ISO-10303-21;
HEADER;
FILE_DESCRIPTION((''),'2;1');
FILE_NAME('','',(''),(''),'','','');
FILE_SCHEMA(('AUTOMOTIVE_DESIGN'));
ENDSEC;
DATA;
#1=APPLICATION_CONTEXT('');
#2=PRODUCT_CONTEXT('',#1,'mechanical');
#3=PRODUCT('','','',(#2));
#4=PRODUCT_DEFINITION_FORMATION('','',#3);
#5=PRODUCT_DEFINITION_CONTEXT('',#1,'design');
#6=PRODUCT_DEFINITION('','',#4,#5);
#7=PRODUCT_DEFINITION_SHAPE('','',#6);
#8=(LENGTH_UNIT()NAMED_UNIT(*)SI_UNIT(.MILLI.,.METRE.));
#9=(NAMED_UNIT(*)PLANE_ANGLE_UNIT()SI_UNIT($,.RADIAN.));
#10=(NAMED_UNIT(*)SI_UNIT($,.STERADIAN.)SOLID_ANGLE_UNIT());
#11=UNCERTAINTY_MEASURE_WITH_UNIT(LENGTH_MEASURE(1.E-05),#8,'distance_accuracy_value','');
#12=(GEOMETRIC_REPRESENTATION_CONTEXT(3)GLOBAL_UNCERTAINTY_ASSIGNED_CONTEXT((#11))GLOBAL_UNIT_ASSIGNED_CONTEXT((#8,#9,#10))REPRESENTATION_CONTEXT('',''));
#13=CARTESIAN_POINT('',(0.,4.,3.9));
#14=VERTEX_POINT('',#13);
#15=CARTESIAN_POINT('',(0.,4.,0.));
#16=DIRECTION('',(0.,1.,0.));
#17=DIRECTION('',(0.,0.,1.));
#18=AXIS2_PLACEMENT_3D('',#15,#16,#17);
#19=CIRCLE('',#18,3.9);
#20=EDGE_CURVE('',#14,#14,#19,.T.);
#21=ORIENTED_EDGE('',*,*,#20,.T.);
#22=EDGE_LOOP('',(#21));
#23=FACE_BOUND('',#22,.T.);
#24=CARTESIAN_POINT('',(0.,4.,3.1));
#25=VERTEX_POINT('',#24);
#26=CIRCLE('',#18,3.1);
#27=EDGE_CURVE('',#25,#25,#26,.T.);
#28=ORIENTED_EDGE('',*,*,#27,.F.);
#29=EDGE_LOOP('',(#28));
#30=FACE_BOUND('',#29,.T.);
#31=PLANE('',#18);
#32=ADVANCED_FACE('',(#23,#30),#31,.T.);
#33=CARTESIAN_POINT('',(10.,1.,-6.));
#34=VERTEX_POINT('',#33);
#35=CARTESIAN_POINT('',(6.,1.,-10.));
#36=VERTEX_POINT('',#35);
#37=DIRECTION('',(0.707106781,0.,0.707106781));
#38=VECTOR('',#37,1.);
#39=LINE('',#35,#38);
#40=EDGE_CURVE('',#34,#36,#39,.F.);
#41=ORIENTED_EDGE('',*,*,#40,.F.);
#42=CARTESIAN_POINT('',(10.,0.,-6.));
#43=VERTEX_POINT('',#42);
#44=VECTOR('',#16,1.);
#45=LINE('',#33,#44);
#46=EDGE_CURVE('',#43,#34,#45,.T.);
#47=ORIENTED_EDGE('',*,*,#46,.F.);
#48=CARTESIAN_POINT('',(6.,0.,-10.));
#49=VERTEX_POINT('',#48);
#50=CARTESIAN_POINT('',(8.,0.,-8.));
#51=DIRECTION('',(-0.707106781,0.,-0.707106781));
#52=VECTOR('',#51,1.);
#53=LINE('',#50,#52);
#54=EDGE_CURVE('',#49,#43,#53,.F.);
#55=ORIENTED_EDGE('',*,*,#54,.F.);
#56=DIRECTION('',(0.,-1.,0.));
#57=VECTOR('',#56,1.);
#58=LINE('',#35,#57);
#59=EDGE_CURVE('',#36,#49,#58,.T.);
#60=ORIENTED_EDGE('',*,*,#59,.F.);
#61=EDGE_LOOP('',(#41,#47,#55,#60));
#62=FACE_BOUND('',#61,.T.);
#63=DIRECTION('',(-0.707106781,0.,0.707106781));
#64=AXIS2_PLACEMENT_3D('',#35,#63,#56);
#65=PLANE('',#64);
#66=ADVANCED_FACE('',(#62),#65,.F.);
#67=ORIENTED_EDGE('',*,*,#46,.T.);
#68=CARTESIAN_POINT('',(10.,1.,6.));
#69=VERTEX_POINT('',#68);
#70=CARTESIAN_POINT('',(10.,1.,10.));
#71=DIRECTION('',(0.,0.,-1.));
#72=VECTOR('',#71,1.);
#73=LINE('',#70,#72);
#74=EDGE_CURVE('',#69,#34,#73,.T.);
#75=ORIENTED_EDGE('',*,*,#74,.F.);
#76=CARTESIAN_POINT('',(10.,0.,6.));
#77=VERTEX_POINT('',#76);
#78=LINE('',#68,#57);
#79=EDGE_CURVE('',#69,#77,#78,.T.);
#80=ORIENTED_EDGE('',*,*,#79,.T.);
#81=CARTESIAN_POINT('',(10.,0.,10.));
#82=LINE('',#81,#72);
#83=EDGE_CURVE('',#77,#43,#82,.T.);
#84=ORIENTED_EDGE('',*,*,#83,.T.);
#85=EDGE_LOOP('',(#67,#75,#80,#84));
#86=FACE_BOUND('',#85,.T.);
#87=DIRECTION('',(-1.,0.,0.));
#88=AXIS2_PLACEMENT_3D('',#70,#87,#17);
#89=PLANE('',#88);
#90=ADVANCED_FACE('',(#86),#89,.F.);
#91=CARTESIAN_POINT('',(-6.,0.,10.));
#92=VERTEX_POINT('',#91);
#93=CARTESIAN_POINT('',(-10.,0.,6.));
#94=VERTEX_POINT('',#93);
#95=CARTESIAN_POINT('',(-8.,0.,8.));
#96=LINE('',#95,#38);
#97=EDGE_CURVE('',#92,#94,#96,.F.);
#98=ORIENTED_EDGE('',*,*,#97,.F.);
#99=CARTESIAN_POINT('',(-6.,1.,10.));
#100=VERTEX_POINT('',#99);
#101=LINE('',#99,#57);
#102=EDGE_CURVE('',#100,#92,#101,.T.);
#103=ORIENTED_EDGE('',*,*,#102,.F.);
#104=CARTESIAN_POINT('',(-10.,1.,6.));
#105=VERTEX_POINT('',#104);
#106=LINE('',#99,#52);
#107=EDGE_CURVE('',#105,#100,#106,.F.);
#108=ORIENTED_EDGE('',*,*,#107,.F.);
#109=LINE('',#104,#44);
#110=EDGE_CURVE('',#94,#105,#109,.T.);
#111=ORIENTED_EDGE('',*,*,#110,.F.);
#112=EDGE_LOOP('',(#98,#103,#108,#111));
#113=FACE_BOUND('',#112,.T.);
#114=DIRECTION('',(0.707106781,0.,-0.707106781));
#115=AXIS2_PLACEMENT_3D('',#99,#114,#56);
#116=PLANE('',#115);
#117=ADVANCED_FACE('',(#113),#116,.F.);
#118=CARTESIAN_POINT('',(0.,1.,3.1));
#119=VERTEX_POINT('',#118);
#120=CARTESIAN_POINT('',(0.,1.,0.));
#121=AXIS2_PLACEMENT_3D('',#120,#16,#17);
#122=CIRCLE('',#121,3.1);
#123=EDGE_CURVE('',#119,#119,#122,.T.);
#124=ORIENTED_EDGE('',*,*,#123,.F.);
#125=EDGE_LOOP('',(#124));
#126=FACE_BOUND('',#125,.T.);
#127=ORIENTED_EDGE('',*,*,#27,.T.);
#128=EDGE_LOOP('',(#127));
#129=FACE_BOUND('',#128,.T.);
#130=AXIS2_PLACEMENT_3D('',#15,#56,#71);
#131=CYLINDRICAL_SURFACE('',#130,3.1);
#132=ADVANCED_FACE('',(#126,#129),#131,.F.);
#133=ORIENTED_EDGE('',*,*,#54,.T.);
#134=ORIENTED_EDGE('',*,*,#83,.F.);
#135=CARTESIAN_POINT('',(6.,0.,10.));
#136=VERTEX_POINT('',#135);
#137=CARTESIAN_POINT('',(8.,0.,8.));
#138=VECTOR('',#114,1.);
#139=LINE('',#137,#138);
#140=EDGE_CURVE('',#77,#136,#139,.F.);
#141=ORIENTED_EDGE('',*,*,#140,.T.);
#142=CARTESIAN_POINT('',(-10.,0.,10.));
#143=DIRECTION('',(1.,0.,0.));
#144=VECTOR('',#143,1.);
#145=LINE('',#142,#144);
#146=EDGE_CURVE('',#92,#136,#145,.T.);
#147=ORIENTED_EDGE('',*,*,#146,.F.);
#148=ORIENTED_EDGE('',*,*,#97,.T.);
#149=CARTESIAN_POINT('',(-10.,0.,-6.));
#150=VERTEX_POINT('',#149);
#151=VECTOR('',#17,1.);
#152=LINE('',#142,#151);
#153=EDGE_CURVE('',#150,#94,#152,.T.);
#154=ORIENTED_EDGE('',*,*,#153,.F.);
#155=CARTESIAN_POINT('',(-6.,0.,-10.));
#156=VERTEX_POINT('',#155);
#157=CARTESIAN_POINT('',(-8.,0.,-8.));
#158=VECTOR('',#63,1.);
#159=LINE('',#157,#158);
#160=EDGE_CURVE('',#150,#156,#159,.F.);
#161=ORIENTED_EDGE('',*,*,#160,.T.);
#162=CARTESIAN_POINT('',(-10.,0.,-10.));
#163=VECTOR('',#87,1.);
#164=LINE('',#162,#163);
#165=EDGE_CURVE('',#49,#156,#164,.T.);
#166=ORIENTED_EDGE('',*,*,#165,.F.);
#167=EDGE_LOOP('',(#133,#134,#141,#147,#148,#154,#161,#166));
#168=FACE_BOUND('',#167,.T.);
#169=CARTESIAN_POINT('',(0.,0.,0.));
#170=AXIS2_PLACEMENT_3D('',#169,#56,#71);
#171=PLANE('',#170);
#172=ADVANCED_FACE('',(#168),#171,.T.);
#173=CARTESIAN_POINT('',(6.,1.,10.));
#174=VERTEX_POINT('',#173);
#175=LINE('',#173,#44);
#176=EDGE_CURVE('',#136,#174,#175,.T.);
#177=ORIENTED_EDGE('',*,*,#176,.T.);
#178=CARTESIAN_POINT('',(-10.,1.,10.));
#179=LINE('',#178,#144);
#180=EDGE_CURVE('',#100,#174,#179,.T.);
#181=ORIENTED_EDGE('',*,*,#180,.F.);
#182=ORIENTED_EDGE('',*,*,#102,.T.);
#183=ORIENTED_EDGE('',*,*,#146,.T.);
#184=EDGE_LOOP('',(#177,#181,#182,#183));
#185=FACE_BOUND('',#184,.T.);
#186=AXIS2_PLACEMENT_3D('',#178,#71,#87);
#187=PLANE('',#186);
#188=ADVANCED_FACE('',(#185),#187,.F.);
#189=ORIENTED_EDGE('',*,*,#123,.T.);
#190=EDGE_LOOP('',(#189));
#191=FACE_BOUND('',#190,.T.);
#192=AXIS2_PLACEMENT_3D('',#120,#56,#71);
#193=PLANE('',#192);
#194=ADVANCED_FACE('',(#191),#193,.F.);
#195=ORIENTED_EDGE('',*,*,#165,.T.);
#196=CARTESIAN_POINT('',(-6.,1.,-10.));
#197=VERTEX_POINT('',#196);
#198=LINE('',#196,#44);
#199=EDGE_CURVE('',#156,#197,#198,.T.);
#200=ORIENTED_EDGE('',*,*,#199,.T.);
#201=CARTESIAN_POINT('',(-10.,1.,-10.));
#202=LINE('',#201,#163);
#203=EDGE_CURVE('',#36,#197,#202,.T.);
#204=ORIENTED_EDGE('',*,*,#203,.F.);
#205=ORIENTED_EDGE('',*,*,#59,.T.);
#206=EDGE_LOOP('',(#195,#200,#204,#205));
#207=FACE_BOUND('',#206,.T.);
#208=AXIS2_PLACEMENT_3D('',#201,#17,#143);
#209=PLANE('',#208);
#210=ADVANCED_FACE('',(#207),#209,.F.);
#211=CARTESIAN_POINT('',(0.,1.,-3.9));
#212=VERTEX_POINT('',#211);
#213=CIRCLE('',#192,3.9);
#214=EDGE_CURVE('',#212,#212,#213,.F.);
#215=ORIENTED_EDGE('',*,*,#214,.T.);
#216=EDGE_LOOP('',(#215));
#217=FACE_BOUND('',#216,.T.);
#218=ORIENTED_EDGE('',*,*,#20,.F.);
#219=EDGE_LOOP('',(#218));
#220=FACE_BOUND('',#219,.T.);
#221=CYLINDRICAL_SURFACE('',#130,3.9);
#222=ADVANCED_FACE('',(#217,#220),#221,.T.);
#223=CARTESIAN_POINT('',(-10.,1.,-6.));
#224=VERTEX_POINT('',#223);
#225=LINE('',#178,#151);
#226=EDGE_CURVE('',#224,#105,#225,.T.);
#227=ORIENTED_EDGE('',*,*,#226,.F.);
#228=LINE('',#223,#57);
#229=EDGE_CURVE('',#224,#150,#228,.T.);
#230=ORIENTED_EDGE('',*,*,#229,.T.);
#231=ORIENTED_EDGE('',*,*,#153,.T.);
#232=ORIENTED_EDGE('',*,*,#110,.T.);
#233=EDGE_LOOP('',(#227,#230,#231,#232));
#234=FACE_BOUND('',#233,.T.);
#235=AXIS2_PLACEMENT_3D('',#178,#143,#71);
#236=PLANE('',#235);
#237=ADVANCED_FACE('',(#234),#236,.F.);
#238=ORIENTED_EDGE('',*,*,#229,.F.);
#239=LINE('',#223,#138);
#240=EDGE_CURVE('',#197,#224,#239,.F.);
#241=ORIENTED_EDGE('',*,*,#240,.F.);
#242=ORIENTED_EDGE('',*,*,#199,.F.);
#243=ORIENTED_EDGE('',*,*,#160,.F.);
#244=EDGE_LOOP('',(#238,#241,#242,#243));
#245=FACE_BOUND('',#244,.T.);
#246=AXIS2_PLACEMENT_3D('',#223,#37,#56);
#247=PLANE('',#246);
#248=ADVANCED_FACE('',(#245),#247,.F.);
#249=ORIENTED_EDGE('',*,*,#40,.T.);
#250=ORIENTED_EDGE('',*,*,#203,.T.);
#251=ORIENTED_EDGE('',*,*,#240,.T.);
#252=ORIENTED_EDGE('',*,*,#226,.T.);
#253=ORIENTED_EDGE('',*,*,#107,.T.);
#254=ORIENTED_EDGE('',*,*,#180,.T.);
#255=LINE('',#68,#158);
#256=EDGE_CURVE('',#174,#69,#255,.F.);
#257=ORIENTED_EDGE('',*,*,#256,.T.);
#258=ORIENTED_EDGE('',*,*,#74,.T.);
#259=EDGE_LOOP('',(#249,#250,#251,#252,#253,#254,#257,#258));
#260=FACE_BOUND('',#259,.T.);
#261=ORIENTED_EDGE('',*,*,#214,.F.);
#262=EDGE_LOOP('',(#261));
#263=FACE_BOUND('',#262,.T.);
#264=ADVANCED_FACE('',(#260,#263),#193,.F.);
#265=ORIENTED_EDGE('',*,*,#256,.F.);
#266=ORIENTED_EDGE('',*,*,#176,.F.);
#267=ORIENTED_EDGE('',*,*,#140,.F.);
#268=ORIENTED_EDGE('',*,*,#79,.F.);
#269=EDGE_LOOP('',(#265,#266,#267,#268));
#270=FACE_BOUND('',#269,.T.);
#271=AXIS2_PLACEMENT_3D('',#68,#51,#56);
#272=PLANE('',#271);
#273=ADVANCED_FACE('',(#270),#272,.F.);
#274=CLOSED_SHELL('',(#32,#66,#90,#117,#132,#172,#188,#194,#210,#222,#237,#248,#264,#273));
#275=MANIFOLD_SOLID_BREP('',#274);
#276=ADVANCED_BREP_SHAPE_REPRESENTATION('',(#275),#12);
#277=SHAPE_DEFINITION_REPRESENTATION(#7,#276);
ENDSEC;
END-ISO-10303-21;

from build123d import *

# Parameters (mm, degrees)
SKIZZE1_W                       = 20
SKIZZE1_H                       = 20
AUFSATZ_LINEAR_AUSTRAGEN1_DEPTH = 1
SKIZZE2_R                       = 3.9
SKIZZE2_R_2                     = 3.1
AUFSATZ_LINEAR_AUSTRAGEN2_DEPTH = 3
FASE1_SIZE                      = 4


with BuildPart() as part:
    # Skizze1 → Aufsatz-Linear austragen1 (new body)
    with BuildSketch(Plane(origin=(0, 0, 0), x_dir=(1, 0, 0), z_dir=(0, 1, 0))):
        Rectangle(SKIZZE1_W, SKIZZE1_H)
    extrude(amount=AUFSATZ_LINEAR_AUSTRAGEN1_DEPTH)

    # Skizze2 → Aufsatz-Linear austragen2 (add)
    with BuildSketch(Plane(origin=(0, 1, 0), x_dir=(1, 0, 0), z_dir=(0, 1, 0))):
        with Locations(Location((0, 0, 0), (0, 0, 90))):
            Circle(SKIZZE2_R)
        with Locations(Location((0, 0, 0), (0, 0, 270))):
            Circle(SKIZZE2_R_2, mode=Mode.SUBTRACT)
    extrude(amount=AUFSATZ_LINEAR_AUSTRAGEN2_DEPTH)

    # Fase1
    fase1_edges = [part.edges().sort_by_distance(p)[0] for p in [
        (10, 0.5, 10),
        (-10, 0.5, 10),
        (-10, 0.5, -10),
        (10, 0.5, -10),
    ]]
    chamfer(fase1_edges, length=FASE1_SIZE)


solid = part.part
